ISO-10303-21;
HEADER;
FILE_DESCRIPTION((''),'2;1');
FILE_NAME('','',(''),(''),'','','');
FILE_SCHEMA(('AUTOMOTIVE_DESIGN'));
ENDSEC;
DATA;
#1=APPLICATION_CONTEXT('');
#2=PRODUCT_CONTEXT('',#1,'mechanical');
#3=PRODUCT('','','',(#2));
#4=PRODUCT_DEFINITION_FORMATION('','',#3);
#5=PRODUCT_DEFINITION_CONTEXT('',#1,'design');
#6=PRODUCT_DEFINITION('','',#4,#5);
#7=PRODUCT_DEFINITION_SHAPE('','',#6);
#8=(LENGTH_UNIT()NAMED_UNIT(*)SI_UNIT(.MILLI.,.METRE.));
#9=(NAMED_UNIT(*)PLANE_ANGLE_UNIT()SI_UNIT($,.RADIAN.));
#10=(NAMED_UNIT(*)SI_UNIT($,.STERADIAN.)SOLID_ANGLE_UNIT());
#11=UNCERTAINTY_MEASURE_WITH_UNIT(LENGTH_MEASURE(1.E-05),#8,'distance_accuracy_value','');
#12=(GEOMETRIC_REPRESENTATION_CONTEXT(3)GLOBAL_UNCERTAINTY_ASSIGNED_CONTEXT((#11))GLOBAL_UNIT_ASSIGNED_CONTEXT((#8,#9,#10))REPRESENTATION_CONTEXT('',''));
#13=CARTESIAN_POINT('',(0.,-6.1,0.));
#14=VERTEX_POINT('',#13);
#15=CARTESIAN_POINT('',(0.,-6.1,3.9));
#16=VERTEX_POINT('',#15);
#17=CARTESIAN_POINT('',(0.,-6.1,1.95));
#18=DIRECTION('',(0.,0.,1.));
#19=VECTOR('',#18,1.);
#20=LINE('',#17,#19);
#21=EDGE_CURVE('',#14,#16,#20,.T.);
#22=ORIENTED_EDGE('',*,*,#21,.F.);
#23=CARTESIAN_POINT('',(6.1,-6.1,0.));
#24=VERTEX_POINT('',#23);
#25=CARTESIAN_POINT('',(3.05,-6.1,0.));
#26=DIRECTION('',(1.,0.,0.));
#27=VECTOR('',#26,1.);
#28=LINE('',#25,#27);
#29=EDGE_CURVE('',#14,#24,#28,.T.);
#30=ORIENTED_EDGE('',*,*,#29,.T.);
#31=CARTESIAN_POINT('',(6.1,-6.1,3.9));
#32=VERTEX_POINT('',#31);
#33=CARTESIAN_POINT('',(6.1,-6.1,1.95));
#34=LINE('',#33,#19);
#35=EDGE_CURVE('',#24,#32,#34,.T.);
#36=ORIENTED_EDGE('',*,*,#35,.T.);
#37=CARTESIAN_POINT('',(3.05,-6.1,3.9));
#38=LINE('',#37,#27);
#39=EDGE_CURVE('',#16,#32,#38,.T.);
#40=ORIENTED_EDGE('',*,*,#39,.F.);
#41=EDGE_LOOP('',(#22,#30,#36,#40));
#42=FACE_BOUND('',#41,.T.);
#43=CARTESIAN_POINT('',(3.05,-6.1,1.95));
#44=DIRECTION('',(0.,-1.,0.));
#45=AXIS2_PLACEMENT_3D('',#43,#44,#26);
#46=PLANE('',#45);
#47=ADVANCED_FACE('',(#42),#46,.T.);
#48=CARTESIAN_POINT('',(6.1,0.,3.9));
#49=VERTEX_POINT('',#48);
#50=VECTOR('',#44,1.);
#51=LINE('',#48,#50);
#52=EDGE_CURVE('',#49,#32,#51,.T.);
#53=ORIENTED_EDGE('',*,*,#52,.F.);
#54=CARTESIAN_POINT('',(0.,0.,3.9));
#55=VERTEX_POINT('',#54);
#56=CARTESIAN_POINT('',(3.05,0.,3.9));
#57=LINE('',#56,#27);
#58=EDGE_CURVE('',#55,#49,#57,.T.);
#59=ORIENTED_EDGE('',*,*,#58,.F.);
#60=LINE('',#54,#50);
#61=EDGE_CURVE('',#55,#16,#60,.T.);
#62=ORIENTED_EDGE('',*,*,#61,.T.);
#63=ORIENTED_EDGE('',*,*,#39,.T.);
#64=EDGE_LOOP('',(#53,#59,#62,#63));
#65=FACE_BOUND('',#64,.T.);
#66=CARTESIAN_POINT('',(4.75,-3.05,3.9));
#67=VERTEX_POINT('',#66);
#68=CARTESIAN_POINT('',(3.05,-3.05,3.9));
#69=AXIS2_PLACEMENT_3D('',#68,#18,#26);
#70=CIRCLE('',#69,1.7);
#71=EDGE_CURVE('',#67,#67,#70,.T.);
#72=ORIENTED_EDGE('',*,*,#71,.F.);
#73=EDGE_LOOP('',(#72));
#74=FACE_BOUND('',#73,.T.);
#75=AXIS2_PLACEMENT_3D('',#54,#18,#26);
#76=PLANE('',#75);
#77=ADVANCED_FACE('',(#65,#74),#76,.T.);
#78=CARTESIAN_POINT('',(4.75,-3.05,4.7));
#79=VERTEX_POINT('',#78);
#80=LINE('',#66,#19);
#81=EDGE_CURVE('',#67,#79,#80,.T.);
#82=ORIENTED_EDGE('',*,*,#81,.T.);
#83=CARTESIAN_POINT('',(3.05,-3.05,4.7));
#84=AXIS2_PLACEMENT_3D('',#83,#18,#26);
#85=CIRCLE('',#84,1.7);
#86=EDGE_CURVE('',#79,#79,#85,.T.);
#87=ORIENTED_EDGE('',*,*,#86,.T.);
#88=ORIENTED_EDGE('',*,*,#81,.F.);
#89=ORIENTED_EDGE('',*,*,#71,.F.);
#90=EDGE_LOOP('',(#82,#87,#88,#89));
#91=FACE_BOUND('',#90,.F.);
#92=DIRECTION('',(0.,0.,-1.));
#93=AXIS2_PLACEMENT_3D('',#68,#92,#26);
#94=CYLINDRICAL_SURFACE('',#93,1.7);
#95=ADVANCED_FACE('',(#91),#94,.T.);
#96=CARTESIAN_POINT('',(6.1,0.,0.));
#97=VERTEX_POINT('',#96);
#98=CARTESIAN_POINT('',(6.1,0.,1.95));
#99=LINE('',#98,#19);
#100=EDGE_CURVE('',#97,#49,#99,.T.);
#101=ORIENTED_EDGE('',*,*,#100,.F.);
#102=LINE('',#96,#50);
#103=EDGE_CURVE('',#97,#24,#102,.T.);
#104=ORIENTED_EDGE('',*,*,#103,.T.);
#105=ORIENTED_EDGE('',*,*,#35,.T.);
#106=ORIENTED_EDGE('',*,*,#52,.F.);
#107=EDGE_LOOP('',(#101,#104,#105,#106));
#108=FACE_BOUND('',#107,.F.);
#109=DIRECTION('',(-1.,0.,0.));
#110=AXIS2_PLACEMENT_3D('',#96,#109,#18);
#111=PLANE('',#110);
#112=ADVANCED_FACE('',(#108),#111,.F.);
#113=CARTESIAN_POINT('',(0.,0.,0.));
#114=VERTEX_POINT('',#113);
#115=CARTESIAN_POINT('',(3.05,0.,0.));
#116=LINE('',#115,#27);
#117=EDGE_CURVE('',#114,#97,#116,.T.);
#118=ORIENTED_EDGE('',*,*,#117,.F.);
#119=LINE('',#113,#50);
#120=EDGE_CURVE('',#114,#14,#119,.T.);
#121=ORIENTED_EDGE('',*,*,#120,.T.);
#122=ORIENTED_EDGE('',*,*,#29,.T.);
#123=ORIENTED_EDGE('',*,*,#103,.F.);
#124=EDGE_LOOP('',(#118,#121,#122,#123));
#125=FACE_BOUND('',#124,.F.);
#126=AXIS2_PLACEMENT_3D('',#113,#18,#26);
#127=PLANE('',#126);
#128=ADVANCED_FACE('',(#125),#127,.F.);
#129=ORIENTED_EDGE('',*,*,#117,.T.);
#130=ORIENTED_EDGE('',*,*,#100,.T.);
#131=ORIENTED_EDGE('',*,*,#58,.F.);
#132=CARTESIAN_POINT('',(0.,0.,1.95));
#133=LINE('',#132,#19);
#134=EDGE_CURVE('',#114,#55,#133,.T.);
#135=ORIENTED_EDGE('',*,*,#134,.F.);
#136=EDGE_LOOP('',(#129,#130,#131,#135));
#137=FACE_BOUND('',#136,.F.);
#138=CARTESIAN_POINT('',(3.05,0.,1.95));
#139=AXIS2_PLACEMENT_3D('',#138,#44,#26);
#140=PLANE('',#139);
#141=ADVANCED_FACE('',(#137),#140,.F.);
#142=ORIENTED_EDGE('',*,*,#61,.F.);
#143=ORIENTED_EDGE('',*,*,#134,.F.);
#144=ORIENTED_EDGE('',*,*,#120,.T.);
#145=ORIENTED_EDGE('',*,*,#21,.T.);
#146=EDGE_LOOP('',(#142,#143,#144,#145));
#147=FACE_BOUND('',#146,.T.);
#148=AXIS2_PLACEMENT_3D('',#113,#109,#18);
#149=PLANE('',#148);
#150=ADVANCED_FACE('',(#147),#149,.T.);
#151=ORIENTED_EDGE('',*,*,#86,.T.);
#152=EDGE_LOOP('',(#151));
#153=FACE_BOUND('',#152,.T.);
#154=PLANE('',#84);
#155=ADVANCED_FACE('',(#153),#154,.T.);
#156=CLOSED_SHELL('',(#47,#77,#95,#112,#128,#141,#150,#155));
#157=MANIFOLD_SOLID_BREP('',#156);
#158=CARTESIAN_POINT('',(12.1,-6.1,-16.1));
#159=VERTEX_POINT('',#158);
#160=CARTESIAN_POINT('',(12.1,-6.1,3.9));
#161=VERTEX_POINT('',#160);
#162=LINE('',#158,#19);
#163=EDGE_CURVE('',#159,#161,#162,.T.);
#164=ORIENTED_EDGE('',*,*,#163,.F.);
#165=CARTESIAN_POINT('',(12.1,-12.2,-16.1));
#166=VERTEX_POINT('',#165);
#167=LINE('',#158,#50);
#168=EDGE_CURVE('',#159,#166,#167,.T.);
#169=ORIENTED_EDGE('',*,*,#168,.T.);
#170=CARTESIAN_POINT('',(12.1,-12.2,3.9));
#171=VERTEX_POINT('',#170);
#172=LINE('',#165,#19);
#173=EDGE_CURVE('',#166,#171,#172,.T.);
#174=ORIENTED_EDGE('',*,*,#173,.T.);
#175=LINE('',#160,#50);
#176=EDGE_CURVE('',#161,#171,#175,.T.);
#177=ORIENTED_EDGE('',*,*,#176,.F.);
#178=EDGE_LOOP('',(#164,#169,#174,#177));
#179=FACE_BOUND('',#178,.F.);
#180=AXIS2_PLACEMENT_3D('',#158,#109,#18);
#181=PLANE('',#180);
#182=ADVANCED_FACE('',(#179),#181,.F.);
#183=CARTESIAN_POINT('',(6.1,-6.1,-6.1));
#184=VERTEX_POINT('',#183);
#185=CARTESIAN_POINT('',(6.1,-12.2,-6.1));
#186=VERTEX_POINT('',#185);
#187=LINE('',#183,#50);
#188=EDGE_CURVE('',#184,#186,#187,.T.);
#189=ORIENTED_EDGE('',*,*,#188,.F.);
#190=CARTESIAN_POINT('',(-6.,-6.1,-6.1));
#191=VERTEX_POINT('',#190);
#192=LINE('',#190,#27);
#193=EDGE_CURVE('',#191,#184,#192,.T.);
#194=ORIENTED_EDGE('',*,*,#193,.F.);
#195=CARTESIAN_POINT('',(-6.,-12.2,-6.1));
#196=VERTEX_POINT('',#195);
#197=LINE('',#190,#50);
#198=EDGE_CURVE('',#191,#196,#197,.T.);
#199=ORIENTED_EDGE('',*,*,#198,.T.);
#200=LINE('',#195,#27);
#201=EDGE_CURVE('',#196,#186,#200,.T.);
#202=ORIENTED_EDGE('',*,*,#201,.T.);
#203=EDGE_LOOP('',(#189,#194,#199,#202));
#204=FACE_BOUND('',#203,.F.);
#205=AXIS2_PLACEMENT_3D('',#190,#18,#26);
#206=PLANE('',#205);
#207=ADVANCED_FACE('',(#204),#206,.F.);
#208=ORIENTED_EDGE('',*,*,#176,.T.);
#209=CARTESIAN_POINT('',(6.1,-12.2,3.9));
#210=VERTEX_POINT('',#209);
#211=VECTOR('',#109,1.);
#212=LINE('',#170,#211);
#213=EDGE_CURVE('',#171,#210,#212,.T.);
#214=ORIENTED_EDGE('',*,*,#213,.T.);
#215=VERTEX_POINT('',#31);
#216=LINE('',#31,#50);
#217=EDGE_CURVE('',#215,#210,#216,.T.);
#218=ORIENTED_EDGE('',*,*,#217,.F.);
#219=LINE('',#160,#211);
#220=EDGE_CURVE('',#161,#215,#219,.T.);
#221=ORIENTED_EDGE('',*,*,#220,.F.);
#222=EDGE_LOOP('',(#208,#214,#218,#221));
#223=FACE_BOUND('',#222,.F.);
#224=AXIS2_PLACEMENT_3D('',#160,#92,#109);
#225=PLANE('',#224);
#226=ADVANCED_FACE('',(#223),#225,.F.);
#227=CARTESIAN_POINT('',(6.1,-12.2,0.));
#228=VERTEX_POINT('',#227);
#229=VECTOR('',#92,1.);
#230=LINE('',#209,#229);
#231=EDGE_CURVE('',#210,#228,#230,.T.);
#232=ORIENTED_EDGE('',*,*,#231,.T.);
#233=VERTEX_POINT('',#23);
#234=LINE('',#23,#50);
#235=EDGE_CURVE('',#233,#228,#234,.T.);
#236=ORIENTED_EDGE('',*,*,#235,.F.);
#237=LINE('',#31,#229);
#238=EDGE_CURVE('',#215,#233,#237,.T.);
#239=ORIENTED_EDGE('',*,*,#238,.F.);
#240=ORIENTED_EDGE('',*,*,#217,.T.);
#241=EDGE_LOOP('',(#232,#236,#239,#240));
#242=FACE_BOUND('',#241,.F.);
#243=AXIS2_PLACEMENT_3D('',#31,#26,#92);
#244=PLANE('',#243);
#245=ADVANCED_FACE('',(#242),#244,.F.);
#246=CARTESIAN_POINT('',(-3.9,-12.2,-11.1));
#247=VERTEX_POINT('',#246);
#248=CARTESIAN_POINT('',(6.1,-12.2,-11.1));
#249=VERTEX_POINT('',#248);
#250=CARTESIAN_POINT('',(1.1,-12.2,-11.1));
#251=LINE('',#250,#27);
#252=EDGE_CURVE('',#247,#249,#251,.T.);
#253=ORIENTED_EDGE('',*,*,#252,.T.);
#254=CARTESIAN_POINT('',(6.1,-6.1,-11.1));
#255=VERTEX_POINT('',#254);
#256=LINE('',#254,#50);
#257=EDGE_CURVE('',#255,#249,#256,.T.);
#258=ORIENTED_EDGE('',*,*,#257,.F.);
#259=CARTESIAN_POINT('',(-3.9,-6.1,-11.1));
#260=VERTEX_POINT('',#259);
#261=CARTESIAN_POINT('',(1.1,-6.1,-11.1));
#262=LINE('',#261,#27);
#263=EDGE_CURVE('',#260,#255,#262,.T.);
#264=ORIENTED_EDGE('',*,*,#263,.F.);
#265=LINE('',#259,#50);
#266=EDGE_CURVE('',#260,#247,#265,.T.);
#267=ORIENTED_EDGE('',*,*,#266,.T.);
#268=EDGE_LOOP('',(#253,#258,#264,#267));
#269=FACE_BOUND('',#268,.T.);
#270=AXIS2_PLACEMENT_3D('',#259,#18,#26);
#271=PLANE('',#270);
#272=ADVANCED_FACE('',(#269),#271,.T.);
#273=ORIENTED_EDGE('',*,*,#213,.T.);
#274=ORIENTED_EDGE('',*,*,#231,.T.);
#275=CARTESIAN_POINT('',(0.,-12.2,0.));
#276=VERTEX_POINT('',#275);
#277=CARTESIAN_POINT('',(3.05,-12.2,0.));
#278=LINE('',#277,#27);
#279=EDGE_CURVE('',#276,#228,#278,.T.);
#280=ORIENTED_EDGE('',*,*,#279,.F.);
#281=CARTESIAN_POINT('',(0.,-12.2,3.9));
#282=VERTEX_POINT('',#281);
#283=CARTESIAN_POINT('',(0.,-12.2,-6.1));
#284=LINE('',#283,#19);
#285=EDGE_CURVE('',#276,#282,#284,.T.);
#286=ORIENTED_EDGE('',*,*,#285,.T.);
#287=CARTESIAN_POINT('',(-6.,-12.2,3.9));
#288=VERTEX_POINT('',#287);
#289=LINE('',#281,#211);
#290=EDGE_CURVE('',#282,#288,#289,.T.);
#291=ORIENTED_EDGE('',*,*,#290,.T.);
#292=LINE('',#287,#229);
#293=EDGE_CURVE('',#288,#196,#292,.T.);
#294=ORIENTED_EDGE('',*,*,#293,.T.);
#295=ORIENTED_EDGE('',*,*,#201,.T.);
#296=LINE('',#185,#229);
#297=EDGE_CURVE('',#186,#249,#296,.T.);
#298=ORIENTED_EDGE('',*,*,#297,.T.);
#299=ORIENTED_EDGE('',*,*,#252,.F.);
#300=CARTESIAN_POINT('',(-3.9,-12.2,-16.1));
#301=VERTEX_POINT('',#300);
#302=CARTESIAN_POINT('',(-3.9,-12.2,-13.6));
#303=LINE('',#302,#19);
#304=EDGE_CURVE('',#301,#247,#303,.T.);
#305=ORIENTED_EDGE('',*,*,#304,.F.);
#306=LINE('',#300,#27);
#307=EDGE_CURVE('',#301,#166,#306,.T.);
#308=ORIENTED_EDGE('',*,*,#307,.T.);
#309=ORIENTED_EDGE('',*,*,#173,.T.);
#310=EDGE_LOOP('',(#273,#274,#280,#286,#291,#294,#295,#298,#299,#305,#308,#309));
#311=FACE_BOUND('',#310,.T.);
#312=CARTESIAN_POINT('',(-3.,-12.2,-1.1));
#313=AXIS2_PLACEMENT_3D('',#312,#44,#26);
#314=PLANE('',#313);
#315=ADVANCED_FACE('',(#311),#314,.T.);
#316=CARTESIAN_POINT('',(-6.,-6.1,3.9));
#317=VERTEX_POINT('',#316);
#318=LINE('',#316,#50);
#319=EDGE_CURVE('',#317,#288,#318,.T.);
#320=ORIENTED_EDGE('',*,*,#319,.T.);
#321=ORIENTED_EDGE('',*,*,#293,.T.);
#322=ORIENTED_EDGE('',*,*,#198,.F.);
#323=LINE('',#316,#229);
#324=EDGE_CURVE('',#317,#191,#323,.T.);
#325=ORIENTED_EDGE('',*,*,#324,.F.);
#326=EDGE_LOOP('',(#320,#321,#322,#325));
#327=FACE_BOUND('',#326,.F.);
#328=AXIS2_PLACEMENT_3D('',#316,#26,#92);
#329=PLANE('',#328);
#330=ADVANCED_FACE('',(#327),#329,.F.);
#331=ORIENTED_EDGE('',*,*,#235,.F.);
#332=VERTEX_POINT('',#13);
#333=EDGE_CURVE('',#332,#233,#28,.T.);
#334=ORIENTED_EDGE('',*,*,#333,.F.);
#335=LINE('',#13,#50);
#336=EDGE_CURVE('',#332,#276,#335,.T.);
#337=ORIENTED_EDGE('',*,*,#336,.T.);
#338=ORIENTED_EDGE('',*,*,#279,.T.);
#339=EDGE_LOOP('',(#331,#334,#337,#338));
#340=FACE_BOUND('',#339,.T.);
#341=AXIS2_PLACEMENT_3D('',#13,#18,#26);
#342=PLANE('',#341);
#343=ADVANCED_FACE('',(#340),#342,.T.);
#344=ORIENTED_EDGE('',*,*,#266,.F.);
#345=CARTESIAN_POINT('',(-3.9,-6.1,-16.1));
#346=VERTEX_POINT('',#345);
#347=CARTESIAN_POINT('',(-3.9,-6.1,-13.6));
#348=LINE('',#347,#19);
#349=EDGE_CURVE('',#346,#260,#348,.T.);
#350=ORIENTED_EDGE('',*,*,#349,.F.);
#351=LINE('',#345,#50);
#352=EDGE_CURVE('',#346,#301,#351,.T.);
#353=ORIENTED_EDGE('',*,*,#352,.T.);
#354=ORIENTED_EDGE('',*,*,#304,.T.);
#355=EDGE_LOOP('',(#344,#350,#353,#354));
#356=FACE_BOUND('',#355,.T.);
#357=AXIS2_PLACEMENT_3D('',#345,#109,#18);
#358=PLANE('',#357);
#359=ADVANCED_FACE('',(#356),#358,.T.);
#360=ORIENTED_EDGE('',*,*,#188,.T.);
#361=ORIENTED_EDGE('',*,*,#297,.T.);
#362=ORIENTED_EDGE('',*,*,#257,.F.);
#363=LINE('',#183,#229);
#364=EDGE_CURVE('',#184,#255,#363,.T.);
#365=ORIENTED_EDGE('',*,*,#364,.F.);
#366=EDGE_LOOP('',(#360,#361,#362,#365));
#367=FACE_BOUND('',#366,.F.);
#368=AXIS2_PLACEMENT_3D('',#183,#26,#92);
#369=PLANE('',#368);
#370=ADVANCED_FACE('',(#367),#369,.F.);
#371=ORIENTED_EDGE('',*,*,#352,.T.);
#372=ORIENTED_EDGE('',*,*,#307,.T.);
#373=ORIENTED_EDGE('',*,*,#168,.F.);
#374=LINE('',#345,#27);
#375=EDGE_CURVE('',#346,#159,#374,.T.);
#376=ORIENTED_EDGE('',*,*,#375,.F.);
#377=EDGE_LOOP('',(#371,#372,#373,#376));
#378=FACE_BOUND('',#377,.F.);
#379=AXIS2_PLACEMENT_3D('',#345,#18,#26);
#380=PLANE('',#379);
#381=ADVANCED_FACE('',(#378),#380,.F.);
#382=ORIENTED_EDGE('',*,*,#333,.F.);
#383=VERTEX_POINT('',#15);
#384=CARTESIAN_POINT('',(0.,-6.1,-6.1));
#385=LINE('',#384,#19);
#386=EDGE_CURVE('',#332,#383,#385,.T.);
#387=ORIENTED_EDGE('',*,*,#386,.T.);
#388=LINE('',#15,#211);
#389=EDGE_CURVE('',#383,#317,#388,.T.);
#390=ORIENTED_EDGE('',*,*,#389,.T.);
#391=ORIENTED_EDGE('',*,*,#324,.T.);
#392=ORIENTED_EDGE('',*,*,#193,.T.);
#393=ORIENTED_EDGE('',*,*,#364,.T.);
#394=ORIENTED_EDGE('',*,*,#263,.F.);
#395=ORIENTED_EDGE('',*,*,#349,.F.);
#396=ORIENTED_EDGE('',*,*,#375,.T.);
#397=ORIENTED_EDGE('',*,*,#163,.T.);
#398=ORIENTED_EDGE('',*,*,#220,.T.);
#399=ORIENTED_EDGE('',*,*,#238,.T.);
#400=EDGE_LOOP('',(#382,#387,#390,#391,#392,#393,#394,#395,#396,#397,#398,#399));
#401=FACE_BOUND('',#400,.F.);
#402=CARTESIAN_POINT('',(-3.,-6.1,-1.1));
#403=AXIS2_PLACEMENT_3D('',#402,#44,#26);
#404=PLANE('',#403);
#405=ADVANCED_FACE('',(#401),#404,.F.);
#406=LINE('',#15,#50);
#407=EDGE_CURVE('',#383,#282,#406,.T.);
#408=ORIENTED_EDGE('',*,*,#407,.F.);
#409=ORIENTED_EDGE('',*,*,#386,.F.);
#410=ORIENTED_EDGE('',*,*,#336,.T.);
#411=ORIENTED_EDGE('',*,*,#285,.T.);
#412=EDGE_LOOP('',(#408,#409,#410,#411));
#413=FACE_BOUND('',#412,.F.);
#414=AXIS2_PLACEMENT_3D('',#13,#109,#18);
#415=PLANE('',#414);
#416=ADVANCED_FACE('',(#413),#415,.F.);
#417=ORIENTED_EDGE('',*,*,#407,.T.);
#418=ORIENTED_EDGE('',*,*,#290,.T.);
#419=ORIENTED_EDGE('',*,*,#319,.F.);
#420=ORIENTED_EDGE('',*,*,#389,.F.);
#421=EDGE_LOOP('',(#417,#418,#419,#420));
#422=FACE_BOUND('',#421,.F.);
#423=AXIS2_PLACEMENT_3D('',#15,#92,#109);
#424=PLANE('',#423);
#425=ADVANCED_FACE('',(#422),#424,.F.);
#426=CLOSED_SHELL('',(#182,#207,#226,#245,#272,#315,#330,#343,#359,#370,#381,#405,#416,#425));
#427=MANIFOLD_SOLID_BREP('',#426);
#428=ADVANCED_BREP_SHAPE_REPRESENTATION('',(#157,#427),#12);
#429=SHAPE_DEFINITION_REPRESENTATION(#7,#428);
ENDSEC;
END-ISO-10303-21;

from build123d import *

# Parameters (mm, degrees)
F0_W     = 6.1
F0_H     = 3.9
F1_DEPTH = 6.1
F2_R     = 1.7
F3_DEPTH = 0.8
F4_W     = 6.1
F4_H     = 6.1
F4_W_2   = 10
F4_H_2   = 5
F5_DEPTH = 6.1


with BuildPart() as f1:
    # F0 (on Front) → F1 (new body)
    with BuildSketch(Plane.XZ):
        with Locations((3.05, 1.95)):
            Rectangle(F0_W, F0_H)
    extrude(amount=F1_DEPTH)

    # F2 (on face) → F3 (join)
    with BuildSketch(Plane.XY.offset(3.9)):
        with Locations((3.05, -3.05)):
            Circle(F2_R)
    extrude(amount=F3_DEPTH)


with BuildPart() as f5:
    # F4 (on face) → F5 (new body)
    with BuildSketch(Plane.XZ.offset(6.1)):
        Polygon((0, 0), (0, 3.9), (-6, 3.9), (-6, -6.1), (0, -6.1), align=None)
        with Locations((3.05, -3.05)):
            Rectangle(F4_W, F4_H)
        Polygon((6.1, 3.9), (6.1, 0), (6.1, -6.1), (12.1, -6.1), (12.1, 3.9), align=None)
        Polygon((12.1, -6.1), (6.1, -6.1), (6.1, -11.1), (6.1, -16.1), (12.1, -16.1), align=None)
        with Locations((1.1, -13.6)):
            Rectangle(F4_W_2, F4_H_2)
    extrude(amount=F5_DEPTH)


solid = Compound([f1.part, f5.part])
